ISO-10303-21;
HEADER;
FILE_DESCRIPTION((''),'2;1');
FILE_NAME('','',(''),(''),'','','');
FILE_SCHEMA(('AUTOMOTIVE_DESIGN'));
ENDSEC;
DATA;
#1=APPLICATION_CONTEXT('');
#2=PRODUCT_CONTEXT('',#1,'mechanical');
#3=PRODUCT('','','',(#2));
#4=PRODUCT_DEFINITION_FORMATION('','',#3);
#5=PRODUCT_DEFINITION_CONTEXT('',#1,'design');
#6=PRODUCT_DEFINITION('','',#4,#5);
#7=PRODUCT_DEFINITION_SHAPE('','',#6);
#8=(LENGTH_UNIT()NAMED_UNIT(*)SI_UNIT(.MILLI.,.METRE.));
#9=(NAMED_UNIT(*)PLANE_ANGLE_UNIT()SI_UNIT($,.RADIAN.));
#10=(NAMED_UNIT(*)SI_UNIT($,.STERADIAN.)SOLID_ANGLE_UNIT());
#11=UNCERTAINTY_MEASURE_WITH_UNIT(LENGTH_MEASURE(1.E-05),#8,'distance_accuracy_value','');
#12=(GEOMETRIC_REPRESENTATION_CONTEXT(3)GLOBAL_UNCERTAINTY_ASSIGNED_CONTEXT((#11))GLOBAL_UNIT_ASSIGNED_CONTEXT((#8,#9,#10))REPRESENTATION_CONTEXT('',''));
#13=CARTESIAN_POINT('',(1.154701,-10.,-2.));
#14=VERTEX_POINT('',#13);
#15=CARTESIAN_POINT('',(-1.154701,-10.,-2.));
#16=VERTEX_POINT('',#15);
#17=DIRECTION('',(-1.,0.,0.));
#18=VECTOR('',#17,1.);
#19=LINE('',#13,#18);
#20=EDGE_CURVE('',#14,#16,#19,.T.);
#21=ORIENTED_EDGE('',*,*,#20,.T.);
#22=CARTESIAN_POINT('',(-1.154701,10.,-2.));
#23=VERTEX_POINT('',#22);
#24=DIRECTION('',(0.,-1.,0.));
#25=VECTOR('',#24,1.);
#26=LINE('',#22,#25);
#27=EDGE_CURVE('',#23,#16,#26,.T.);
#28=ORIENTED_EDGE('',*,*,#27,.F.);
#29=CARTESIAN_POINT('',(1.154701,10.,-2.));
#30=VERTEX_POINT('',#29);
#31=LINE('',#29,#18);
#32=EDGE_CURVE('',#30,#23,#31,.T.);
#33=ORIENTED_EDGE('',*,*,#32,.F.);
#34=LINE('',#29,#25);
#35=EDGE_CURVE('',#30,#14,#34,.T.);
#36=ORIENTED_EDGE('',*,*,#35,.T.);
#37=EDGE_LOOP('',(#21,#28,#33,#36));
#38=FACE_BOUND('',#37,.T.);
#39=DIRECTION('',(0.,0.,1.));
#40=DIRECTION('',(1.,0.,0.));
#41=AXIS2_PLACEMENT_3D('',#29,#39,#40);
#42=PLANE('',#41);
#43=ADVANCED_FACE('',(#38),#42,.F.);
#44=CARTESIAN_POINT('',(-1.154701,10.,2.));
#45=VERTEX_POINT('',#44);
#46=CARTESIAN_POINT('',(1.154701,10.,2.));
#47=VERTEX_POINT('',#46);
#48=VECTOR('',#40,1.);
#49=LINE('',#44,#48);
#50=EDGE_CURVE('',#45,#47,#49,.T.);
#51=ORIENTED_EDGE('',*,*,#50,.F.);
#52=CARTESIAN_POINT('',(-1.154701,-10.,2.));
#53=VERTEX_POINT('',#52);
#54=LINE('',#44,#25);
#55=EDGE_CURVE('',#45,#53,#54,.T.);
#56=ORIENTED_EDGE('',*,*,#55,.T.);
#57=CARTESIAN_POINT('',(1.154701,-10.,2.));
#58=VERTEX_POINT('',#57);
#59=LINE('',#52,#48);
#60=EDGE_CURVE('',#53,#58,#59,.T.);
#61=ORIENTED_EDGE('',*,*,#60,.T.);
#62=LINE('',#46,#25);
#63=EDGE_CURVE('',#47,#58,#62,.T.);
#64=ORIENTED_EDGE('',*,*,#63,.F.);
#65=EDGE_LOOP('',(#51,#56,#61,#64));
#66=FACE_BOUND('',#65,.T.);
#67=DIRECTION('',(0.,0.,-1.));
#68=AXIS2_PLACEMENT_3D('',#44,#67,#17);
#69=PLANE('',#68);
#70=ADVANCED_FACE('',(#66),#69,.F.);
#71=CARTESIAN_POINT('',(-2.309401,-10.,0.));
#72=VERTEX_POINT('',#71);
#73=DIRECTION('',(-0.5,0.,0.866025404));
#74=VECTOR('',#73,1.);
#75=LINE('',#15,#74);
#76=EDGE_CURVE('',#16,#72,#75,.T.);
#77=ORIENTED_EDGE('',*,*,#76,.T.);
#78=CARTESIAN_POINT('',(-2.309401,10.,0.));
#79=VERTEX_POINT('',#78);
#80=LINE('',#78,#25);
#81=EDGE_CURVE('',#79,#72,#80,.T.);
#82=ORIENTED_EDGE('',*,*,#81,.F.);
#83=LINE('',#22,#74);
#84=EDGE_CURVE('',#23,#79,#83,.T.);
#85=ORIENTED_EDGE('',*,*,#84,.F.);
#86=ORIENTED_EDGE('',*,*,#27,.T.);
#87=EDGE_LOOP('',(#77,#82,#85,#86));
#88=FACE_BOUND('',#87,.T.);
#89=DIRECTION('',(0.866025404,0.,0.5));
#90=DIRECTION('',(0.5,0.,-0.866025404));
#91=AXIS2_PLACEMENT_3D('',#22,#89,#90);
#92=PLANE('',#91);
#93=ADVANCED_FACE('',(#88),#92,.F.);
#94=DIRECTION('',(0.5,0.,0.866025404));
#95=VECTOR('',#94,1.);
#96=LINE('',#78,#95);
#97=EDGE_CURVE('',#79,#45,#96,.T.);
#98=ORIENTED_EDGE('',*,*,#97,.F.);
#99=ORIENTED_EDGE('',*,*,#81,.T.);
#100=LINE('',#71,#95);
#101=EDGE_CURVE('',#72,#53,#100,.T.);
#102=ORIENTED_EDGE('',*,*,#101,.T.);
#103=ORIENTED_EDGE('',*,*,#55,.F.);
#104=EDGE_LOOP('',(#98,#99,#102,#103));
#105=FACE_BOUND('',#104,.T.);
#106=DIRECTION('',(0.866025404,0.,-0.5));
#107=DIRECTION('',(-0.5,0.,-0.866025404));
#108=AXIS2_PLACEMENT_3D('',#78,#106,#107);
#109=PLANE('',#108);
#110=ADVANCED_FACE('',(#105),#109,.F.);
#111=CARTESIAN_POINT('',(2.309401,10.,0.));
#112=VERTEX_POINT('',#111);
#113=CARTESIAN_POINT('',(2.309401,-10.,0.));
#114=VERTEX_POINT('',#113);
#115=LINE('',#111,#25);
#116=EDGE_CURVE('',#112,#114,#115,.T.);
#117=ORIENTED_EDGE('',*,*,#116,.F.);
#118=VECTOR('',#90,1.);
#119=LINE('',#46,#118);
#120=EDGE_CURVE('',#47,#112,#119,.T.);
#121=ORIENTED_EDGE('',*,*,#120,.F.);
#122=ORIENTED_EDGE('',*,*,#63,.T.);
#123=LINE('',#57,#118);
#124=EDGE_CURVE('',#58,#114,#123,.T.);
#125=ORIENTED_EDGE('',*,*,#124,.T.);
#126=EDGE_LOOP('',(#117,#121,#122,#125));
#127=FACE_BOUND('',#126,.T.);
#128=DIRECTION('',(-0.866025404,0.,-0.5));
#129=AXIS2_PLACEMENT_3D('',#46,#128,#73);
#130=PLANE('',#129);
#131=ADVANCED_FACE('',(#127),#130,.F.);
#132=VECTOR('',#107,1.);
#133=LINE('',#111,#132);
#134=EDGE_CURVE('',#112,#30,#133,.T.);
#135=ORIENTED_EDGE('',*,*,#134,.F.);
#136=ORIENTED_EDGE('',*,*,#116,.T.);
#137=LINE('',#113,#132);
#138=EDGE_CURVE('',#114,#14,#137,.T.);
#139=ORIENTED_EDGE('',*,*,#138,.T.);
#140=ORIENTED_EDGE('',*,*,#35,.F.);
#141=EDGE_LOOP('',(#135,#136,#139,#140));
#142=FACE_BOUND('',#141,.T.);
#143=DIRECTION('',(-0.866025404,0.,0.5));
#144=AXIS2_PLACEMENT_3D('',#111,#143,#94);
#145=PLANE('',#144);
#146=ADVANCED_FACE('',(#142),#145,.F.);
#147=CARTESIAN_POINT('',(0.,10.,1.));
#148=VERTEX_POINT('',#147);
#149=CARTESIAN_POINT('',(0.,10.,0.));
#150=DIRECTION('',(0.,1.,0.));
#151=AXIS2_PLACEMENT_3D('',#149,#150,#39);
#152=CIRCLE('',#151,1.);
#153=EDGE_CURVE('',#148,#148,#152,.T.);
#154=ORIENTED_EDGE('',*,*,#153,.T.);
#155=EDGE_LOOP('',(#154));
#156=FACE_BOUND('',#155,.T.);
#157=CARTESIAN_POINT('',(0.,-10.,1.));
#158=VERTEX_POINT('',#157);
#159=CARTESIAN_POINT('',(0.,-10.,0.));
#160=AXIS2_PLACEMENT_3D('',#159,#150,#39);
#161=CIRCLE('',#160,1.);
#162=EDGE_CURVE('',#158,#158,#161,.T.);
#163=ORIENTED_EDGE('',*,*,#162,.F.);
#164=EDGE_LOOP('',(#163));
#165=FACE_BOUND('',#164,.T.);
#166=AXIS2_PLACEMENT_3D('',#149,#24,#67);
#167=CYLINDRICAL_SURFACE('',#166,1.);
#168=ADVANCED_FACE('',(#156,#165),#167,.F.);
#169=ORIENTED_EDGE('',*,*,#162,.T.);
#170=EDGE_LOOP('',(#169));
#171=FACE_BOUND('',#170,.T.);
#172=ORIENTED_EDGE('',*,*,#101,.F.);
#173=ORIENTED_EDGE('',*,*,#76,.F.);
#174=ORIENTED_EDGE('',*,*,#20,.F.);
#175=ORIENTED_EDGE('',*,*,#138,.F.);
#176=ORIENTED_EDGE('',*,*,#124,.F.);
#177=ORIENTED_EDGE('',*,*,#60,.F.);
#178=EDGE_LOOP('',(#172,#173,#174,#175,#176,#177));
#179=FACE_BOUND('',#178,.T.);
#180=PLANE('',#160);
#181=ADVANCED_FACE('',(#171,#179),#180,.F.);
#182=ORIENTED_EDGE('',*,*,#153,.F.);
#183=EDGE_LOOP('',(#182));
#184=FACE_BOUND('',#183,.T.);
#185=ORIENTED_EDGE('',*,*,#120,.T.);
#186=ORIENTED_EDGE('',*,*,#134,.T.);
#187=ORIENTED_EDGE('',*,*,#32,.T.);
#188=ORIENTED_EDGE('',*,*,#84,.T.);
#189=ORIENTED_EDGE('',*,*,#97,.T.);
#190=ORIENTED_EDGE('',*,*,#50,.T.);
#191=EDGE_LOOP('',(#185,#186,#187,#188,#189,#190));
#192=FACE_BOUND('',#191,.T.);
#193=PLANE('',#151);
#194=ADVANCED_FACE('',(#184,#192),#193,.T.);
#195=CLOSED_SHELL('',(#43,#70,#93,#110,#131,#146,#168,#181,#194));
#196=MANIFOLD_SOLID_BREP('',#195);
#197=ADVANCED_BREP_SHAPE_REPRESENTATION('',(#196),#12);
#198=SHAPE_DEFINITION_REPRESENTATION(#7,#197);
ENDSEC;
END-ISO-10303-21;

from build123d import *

# Parameters (mm, degrees)
SKETCH_1_R      = 1
EXTRUDE_1_DEPTH = 10


with BuildPart() as part:
    # 草图1 → 凸台-拉伸1 (new, symmetric)
    with BuildSketch(Plane(origin=(0, 0, 0), x_dir=(1, 0, 0), z_dir=(0, 1, 0))):
        Polygon((2.309401077, 0), (1.154700538, 2), (-1.154700538, 2), (-2.309401077, 0), (-1.154700538, -2), (1.154700538, -2), align=None)
        with Locations(Location((0, 0, 0), (0, 0, 270))):
            Circle(SKETCH_1_R, mode=Mode.SUBTRACT)
    extrude(amount=EXTRUDE_1_DEPTH, both=True)


solid = part.part
